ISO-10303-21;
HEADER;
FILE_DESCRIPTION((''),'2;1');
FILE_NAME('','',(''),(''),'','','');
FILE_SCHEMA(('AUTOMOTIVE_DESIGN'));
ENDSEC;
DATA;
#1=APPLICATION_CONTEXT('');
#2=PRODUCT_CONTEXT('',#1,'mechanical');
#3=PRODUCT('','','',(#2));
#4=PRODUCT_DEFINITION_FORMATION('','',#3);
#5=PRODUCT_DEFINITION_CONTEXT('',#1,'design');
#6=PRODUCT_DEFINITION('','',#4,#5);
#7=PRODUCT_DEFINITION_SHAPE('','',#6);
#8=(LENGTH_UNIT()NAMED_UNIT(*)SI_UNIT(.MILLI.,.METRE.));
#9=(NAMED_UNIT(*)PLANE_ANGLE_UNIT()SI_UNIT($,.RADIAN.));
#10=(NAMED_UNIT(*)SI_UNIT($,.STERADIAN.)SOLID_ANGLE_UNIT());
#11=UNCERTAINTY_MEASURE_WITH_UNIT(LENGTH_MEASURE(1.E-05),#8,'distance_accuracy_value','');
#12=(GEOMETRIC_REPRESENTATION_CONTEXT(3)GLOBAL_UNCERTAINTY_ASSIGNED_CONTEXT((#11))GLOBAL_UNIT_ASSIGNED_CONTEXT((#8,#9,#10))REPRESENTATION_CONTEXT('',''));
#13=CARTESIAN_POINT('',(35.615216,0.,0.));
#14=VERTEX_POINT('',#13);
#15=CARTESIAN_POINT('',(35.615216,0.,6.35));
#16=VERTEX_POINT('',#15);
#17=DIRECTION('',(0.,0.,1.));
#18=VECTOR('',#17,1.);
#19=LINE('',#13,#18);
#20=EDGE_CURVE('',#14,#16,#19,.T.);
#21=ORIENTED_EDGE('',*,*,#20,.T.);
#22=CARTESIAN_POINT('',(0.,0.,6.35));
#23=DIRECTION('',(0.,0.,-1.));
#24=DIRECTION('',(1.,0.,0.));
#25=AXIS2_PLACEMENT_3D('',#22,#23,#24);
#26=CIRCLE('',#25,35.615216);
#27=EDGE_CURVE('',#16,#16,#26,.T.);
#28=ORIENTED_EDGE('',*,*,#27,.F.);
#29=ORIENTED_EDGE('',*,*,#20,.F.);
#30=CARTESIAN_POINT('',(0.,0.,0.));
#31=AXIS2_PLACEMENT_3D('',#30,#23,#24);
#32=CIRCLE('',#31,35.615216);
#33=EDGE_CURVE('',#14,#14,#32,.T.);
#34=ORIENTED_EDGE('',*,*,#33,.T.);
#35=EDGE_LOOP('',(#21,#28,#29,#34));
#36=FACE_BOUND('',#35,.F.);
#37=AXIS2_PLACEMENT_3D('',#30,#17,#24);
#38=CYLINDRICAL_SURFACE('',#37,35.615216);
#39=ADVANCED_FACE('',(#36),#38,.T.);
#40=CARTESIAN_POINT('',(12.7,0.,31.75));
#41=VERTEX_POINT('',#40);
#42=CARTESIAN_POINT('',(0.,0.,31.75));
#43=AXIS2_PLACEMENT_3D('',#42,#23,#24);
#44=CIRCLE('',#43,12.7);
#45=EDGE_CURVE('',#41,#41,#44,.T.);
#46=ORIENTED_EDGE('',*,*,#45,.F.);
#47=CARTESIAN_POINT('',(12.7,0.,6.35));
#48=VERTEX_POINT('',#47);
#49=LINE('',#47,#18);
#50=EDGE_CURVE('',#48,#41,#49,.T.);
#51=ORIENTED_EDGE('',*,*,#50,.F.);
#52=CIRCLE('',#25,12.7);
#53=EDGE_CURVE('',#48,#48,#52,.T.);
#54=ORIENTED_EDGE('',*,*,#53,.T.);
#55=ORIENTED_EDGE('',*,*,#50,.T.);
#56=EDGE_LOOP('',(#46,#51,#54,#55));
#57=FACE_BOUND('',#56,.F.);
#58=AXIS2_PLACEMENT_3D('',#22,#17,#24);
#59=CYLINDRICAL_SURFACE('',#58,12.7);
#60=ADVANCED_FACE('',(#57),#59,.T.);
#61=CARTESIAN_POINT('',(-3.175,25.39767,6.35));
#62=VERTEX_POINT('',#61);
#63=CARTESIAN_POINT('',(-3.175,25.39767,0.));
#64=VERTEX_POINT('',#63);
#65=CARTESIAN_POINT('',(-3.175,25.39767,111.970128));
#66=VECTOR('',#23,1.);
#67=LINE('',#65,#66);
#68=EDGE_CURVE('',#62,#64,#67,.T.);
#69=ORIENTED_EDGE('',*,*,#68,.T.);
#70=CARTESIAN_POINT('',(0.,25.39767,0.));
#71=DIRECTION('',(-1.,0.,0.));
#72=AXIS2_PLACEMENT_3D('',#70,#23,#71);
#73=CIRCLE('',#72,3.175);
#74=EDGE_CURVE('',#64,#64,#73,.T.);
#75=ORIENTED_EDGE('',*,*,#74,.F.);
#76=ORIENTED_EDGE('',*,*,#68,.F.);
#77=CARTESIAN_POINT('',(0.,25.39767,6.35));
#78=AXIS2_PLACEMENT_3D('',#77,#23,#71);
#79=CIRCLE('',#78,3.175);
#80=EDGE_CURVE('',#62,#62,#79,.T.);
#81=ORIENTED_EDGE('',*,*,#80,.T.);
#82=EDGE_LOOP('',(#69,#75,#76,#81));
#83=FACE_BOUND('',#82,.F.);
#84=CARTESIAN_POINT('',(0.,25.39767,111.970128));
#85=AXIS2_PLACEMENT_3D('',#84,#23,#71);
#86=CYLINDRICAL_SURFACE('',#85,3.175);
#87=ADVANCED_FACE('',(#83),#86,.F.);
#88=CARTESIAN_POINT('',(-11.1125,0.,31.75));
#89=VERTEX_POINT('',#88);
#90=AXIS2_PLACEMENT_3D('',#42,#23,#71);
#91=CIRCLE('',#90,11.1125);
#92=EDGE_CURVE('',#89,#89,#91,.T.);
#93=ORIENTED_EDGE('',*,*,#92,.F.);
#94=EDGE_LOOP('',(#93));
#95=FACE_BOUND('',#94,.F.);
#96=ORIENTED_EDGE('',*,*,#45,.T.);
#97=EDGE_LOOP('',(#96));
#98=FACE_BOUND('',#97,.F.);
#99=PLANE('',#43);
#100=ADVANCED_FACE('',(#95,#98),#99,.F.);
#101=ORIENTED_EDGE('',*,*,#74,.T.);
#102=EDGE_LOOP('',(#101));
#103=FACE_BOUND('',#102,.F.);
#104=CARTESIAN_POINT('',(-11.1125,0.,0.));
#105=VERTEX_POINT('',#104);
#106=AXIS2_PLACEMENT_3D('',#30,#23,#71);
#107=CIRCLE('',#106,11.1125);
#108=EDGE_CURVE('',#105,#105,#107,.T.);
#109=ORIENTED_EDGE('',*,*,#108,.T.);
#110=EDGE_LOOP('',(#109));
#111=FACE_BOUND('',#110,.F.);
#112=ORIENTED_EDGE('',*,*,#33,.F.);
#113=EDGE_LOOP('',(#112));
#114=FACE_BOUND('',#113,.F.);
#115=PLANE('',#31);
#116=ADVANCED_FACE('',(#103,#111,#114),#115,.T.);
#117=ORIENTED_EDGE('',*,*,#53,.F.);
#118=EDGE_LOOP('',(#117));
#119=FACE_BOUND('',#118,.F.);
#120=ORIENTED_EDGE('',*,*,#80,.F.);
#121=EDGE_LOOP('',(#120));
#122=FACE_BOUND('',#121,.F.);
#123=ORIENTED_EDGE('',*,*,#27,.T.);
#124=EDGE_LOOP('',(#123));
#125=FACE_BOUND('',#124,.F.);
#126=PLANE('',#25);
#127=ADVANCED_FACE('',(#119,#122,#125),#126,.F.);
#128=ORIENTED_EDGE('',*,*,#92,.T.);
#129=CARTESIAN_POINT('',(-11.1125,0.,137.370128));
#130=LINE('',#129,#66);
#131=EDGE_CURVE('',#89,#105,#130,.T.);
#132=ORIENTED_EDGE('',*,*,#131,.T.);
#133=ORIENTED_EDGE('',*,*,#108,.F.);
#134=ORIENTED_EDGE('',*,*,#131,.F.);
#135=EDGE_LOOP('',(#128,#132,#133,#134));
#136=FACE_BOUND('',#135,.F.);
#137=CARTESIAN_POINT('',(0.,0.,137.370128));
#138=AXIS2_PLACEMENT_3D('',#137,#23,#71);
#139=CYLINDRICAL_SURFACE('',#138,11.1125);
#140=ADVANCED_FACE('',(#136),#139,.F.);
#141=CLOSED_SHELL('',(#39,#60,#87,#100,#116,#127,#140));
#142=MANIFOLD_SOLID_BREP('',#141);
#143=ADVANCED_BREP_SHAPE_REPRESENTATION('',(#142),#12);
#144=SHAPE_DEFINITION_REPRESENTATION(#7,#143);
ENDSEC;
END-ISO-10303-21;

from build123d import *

# Parameters (mm, degrees)
F3_D = 22.225
F5_D = 6.35


with BuildPart() as f1:
    # F0 (on Front) → F1 (revolve)
    with BuildSketch(Plane.XZ):
        Polygon((0, 31.75), (0, 0), (35.615216, 0), (35.615216, 6.35), (12.7, 6.35), (12.7, 31.75), align=None)
    revolve(axis=Axis((0, 0, 15.875), (0, 0, -1)))

    # F3 (through all)
    with Locations(Plane.XY.offset(31.75)):
        with Locations((0, 0)):
            Hole(F3_D / 2)

    # F5 (through all)
    with Locations(Plane.XY.offset(6.35)):
        with Locations((0, 25.39767)):
            Hole(F5_D / 2)


solid = f1.part
